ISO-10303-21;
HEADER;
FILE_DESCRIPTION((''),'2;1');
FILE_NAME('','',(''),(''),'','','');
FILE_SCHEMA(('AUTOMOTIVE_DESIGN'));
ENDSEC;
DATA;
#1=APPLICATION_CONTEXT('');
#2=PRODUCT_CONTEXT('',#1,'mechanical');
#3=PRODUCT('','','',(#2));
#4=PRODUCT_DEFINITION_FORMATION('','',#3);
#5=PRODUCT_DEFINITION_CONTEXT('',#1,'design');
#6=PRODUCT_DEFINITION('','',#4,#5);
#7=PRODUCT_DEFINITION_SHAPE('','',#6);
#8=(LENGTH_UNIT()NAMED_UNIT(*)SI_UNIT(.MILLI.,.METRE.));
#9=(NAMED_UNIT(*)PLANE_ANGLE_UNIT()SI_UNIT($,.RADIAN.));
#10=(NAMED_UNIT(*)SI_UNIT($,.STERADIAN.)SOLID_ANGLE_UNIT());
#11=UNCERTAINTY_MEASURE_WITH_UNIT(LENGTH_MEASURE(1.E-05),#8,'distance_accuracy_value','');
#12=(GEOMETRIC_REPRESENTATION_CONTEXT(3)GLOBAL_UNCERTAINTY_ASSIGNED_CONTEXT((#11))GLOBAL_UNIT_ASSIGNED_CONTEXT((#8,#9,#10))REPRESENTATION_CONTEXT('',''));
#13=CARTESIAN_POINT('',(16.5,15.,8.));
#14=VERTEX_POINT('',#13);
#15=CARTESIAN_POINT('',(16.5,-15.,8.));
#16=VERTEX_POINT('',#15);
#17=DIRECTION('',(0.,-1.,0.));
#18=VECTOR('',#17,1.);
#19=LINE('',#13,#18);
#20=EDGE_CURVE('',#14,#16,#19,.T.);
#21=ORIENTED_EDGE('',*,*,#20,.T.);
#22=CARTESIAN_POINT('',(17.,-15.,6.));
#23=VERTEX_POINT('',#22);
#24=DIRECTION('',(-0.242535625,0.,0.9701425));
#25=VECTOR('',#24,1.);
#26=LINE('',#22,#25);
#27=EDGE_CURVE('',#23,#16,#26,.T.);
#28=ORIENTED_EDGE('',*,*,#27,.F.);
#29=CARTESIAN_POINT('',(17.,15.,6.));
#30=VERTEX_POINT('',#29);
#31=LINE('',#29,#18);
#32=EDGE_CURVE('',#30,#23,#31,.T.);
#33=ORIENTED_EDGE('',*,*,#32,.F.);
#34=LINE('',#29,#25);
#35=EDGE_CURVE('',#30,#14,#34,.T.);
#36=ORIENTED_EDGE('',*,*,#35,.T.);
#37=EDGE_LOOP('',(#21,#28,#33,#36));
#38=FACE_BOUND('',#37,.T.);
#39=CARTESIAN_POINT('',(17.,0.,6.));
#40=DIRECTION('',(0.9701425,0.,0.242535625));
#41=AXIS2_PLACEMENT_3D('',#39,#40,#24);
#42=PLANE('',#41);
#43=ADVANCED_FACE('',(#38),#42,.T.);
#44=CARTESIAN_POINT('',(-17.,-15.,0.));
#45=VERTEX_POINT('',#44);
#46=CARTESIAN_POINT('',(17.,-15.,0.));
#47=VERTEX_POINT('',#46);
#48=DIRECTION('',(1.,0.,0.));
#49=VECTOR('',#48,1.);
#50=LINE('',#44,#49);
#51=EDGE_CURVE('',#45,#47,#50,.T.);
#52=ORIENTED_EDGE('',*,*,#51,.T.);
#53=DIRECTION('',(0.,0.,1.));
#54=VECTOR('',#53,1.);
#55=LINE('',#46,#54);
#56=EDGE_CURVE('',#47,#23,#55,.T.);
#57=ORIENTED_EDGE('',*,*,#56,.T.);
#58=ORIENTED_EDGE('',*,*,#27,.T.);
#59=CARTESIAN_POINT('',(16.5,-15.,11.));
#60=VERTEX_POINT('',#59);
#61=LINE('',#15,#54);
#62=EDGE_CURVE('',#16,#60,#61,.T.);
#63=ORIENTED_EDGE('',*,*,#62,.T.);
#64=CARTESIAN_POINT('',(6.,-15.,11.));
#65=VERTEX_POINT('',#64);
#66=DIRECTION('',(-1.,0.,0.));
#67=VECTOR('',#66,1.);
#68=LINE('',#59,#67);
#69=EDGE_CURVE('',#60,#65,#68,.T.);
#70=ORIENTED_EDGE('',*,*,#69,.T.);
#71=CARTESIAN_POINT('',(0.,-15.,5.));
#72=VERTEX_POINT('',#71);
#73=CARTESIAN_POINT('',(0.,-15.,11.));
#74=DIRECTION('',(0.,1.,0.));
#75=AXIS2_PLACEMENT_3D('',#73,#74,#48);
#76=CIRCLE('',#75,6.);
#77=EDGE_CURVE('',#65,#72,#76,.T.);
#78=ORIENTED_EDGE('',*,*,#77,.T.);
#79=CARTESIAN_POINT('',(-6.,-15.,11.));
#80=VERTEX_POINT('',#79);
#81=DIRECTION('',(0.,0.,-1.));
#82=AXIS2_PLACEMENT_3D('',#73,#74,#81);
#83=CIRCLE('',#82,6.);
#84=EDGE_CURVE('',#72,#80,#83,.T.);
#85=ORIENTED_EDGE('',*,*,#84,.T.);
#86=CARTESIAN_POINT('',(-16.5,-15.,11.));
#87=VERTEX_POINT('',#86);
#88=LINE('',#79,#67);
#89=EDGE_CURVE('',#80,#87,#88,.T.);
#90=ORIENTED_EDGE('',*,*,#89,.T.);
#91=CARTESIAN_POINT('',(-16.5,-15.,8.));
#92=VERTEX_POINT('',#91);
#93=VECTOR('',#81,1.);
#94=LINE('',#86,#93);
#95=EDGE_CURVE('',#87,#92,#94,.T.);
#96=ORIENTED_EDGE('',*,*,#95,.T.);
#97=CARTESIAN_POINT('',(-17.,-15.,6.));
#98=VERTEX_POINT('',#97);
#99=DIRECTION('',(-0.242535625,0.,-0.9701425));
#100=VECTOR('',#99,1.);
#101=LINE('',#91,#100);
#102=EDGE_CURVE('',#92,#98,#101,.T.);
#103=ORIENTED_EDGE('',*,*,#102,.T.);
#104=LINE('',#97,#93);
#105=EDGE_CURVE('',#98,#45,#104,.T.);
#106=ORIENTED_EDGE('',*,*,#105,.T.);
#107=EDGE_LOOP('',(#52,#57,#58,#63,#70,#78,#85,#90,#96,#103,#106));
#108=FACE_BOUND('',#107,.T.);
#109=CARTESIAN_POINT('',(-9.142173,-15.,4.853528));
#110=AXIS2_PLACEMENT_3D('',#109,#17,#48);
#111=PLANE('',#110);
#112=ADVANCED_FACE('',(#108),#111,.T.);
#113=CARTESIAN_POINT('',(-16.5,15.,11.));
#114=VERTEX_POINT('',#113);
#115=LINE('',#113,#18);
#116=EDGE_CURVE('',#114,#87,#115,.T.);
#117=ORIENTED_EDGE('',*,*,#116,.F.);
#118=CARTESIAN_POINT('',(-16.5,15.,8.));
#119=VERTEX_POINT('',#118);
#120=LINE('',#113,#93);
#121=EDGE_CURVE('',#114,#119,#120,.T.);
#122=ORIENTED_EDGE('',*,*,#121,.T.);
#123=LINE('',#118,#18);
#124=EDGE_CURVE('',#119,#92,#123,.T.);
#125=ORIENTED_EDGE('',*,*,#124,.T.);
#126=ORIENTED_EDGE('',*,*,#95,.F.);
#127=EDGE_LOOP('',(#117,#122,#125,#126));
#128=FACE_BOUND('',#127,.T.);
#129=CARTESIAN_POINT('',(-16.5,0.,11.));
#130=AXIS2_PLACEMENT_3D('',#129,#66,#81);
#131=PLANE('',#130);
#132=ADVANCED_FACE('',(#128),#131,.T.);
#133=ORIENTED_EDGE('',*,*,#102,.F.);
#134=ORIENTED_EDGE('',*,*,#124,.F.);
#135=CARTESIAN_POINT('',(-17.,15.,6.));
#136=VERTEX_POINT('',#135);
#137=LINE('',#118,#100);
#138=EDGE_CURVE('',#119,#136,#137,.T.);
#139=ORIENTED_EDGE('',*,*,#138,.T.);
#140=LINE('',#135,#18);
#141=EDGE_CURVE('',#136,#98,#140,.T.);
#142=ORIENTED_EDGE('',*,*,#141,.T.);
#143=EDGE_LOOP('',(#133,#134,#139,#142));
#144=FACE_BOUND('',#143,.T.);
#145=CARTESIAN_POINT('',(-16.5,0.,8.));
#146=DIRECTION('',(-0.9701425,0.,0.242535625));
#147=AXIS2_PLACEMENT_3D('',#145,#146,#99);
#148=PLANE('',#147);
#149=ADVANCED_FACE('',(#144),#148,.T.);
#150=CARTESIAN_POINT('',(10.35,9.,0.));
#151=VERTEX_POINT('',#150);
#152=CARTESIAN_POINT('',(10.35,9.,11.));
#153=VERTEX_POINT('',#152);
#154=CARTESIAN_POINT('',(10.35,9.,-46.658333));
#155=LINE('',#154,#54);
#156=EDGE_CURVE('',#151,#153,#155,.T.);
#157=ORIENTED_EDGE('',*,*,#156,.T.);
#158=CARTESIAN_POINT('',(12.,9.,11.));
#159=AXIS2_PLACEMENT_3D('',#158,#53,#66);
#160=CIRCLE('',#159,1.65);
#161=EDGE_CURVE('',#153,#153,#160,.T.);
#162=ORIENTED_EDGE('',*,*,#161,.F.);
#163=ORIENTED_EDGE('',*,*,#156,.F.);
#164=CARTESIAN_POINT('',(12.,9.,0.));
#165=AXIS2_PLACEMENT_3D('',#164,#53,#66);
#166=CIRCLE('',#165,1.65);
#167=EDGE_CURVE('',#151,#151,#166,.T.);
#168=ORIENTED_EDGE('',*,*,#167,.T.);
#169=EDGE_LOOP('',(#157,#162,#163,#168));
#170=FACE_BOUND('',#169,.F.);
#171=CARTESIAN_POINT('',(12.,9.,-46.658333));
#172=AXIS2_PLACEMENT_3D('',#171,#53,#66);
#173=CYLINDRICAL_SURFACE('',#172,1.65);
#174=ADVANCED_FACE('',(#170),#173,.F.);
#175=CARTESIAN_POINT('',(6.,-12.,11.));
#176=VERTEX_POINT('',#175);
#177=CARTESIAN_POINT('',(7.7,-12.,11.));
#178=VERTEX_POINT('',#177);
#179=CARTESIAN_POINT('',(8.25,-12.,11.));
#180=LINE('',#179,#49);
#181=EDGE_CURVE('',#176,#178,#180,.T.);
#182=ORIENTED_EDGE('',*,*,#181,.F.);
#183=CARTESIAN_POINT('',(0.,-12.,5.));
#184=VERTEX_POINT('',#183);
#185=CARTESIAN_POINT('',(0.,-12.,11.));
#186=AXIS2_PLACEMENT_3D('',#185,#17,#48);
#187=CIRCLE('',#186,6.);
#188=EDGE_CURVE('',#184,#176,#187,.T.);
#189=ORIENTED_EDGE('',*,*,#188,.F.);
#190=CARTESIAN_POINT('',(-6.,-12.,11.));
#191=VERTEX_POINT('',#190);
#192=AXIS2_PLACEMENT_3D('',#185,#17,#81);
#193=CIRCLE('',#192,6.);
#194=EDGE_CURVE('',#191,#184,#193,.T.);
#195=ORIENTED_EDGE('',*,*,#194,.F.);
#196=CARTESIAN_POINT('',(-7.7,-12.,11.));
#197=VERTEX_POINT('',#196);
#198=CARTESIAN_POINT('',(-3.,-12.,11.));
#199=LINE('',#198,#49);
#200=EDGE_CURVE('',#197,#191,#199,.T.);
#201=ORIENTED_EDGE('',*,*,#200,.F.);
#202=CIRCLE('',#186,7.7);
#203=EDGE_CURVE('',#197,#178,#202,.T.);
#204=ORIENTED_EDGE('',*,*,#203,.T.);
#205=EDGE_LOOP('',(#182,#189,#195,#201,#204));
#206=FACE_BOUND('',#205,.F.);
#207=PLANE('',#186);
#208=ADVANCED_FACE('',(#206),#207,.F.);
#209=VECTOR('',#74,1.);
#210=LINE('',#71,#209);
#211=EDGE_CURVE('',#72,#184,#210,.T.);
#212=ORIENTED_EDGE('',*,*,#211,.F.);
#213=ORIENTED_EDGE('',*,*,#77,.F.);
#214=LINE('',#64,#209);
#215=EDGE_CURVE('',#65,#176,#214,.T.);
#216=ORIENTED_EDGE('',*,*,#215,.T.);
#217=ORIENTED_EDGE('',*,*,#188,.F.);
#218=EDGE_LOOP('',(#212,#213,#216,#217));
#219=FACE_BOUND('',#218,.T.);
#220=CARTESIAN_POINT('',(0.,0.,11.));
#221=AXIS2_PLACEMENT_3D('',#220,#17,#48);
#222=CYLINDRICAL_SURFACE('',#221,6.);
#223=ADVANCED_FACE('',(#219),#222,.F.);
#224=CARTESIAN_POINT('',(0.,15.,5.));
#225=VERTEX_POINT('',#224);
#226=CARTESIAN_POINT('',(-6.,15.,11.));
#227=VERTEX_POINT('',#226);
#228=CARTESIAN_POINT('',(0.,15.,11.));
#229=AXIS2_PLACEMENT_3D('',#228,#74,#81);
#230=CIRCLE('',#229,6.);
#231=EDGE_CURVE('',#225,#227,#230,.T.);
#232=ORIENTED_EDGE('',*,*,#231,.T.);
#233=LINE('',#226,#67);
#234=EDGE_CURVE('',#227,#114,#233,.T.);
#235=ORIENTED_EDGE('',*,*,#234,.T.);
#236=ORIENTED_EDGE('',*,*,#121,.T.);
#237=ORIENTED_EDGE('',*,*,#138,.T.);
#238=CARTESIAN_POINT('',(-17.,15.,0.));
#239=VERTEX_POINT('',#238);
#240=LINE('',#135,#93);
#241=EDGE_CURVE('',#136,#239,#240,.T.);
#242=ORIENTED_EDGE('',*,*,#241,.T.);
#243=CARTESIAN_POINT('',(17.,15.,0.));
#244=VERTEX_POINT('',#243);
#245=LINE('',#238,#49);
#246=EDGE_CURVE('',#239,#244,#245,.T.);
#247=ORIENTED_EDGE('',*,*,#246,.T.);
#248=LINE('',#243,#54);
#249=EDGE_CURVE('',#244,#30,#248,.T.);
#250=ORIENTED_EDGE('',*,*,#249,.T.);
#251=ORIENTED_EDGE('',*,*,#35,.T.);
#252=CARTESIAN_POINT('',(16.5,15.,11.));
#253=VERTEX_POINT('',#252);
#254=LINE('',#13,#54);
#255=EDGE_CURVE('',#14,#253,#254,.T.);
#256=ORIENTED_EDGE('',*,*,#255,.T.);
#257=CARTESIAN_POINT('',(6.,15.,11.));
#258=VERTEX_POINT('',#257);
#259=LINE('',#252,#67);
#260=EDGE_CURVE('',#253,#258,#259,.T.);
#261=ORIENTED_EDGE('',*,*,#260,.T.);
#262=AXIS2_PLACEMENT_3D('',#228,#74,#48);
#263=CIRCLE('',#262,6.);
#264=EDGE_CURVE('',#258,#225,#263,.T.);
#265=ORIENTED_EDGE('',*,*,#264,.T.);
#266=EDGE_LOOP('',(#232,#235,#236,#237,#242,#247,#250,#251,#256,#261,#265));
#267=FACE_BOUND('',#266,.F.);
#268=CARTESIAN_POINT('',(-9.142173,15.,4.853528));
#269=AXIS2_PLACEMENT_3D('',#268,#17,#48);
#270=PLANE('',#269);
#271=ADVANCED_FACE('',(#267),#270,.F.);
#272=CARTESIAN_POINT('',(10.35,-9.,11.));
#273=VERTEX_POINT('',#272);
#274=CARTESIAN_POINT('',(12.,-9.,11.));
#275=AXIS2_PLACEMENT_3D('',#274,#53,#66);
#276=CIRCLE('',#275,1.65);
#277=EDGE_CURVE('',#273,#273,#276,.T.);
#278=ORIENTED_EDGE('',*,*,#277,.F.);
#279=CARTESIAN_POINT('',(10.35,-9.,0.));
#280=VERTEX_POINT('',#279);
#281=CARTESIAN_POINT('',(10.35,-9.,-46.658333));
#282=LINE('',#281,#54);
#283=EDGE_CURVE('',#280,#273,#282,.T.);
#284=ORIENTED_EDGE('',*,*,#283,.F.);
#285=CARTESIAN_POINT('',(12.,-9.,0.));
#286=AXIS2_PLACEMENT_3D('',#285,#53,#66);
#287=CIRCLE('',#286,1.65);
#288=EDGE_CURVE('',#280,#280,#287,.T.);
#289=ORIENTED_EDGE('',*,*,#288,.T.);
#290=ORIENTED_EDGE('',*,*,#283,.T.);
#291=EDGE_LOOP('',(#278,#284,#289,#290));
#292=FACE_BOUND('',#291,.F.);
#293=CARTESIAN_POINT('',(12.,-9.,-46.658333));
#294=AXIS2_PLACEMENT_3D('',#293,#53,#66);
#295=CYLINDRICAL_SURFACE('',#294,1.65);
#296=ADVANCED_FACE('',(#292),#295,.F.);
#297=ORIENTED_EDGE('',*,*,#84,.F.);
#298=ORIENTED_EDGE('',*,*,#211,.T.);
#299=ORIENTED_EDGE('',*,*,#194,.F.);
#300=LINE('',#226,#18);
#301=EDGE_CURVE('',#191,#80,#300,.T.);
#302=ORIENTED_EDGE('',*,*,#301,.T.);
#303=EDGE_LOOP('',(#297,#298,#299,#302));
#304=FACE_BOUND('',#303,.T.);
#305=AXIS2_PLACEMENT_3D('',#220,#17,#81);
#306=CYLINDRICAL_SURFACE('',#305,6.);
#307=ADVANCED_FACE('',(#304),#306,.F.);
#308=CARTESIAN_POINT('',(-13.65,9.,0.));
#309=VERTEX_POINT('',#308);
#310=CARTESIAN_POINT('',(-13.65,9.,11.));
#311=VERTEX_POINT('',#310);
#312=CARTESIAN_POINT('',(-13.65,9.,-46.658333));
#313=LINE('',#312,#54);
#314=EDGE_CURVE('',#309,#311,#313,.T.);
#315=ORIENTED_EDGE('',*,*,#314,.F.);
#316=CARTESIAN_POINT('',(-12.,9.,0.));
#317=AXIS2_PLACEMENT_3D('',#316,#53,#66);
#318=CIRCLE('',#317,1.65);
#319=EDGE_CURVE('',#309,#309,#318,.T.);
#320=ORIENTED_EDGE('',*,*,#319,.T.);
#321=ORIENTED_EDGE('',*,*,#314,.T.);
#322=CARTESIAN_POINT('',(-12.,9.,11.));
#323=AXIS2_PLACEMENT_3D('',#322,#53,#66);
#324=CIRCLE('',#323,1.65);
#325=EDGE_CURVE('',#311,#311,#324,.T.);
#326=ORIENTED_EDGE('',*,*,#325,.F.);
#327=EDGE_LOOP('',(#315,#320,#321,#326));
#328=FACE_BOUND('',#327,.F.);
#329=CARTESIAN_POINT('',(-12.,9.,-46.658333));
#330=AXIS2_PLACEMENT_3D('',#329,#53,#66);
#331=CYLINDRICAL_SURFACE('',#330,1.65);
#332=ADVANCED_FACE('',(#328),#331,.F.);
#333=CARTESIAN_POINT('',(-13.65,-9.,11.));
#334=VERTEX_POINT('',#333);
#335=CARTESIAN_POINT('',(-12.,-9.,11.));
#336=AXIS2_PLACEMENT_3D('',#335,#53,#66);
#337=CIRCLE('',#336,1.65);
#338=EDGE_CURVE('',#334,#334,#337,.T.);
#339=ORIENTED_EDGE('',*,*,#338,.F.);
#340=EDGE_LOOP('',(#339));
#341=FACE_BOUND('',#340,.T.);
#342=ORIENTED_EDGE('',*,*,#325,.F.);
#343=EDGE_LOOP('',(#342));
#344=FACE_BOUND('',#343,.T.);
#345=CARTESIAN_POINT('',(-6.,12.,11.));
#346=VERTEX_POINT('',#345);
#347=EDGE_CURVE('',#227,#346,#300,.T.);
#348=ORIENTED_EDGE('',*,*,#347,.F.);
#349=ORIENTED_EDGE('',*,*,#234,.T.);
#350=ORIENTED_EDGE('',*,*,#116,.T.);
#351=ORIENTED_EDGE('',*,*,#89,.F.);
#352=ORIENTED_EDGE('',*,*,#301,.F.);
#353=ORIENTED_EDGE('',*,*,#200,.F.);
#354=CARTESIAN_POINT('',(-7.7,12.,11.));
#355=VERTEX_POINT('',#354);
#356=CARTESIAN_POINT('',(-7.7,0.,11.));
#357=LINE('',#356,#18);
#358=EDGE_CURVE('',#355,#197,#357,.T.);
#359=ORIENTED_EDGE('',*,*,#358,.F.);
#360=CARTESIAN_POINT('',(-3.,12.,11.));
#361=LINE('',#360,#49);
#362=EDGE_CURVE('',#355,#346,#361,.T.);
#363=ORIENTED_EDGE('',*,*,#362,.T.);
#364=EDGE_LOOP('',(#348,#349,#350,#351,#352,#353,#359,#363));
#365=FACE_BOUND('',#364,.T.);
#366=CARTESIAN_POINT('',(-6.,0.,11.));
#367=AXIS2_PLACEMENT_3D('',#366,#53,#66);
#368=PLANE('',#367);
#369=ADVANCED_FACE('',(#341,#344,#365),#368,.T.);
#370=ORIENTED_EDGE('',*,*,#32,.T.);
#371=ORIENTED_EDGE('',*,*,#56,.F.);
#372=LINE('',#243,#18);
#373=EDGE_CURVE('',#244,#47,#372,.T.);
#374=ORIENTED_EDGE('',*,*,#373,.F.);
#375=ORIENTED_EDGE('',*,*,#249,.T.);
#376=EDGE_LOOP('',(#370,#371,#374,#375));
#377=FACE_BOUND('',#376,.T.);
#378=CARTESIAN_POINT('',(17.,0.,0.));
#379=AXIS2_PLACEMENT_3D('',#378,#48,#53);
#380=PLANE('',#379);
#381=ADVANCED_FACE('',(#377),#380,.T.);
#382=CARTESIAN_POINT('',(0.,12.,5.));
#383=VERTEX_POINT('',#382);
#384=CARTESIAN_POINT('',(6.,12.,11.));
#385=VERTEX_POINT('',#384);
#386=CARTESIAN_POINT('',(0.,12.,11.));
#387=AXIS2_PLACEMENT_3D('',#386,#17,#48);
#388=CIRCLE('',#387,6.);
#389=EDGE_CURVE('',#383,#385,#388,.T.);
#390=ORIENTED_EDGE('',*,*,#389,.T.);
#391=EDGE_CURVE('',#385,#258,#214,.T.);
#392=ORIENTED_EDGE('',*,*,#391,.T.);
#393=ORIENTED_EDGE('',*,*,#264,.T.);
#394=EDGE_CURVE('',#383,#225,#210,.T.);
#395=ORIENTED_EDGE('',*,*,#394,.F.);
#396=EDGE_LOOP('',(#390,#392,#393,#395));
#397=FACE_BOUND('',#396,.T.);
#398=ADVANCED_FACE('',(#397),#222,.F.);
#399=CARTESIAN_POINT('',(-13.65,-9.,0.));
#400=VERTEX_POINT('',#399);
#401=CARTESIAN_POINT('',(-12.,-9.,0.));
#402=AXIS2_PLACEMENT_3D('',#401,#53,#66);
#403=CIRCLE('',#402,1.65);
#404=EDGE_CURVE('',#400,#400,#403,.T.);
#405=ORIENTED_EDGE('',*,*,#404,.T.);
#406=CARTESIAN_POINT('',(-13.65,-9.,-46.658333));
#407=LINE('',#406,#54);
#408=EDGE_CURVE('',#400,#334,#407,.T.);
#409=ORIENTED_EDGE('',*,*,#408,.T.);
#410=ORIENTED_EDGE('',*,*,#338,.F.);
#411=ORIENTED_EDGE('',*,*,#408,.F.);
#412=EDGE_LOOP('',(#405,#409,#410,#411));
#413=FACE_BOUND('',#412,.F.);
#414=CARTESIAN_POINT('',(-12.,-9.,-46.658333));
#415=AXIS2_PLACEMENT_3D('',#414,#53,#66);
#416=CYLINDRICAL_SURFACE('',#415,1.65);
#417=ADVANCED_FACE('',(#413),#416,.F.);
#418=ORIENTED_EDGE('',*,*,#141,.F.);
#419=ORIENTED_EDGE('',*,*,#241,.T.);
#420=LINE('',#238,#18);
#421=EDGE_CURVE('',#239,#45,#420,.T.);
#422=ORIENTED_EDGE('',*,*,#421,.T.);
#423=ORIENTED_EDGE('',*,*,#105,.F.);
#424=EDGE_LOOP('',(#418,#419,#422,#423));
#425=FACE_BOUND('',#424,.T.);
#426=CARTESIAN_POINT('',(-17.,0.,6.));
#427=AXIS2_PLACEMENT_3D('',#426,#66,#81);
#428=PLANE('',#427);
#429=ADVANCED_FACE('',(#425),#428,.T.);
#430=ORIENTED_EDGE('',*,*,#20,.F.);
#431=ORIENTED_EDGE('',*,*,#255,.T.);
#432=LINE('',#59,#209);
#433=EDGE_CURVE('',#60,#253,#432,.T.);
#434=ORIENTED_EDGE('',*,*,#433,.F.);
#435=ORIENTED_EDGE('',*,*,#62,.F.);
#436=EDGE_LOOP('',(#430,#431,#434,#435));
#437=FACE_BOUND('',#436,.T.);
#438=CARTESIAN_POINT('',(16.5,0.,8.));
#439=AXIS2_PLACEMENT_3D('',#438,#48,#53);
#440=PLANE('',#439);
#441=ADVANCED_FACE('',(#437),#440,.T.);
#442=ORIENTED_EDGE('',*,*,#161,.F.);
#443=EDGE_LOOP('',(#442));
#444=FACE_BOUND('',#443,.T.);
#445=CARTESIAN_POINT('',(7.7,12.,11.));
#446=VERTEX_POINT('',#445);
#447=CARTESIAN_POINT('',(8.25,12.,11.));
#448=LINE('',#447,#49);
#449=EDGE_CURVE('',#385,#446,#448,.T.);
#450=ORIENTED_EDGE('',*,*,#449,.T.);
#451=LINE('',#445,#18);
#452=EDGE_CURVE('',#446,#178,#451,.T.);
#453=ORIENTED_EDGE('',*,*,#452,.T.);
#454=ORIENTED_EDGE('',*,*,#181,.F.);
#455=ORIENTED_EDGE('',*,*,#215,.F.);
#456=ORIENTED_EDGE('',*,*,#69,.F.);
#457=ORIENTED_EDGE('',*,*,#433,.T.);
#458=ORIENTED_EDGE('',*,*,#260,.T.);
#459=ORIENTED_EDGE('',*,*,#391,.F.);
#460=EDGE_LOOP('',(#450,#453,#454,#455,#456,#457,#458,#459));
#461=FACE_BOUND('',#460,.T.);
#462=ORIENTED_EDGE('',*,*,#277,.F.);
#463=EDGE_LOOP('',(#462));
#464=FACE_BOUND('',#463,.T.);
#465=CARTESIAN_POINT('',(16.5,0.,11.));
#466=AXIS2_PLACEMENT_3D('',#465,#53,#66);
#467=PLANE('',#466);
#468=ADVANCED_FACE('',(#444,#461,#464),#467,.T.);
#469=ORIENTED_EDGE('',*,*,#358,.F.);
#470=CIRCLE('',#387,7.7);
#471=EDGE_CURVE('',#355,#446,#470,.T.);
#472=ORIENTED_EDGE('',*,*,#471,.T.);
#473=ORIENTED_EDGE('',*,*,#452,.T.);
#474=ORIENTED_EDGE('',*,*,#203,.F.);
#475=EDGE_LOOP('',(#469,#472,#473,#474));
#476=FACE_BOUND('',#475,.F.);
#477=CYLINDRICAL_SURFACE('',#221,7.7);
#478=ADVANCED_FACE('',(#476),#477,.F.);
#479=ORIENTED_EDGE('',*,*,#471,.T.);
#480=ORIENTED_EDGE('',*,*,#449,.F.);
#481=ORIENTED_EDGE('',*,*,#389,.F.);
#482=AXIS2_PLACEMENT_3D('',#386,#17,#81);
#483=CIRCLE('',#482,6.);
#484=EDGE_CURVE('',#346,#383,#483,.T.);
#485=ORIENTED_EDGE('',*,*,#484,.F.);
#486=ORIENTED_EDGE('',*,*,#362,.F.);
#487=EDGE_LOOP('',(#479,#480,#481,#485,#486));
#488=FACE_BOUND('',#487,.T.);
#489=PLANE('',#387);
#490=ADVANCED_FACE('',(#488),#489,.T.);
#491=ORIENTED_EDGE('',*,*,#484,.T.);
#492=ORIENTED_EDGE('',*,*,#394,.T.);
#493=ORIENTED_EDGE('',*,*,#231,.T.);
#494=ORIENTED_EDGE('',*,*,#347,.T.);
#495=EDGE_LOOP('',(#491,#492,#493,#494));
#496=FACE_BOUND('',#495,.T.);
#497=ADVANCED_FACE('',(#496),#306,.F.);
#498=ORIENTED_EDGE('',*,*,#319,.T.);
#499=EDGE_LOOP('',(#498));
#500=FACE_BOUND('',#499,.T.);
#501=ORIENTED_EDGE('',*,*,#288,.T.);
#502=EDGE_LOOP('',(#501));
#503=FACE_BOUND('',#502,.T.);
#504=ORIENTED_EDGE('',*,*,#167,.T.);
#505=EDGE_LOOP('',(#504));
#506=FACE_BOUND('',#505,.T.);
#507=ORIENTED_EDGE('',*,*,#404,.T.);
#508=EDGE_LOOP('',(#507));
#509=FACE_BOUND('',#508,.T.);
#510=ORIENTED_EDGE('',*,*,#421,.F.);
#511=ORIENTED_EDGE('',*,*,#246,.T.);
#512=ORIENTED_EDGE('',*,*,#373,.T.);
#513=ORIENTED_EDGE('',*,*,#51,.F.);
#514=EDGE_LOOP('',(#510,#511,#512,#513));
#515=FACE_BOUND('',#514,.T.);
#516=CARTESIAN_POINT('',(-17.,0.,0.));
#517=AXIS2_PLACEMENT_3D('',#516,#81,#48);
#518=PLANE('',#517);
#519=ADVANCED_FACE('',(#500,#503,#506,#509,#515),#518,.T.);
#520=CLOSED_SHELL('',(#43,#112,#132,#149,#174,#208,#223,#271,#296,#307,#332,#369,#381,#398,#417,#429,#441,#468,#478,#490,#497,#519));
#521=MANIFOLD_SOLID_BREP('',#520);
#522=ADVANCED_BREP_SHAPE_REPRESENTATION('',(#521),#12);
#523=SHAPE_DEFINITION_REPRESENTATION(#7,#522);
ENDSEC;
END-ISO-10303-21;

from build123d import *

# Parameters (mm, degrees)
F1_DEPTH = 15
F3_D     = 3.3
F4_R     = 7.7
F5_DEPTH = 12


with BuildPart() as f1:
    # F0 (on Front) → F1 (new body, symmetric)
    with BuildSketch(Plane.XZ):
        with BuildLine():
            Line((-5.4519269615, 0), (0, 0))
            Line((0, 0), (0, 5))
            ThreePointArc((0, 5), (-4.2426406871, 6.7573593129), (-6, 11))
            Line((-6, 11), (-16.5, 11))
            Line((-16.5, 11), (-16.5, 8))
            Line((-16.5, 8), (-17, 6))
            Line((-17, 6), (-17, 0))
            Line((-17, 0), (-9.5, 0))
            Line((-9.5, 0), (-5.4519269615, 0))
        make_face()
        with BuildLine():
            Line((0, 5), (0, 0))
            Line((0, 0), (5.4519269615, 0))
            Line((5.4519269615, 0), (9.5, 0))
            Line((9.5, 0), (17, 0))
            Line((17, 0), (17, 6))
            Line((17, 6), (16.5, 8))
            Line((16.5, 8), (16.5, 11))
            Line((16.5, 11), (6, 11))
            ThreePointArc((6, 11), (4.2426406871, 6.7573593129), (0, 5))
        make_face()
    extrude(amount=F1_DEPTH, both=True)

    # F3 (through all)
    with Locations(Plane(origin=(0, 0, 0), x_dir=(1, 0, 0), z_dir=(0, 0, -1))):
        with Locations((-12, 9), (-12, -9), (12, -9), (12, 9)):
            Hole(F3_D / 2)

    # F4 (on Front) → F5 (cut, symmetric)
    with BuildSketch(Plane.XZ):
        with Locations((0, 11)):
            Circle(F4_R)
    extrude(amount=F5_DEPTH, both=True, mode=Mode.SUBTRACT)


solid = f1.part
